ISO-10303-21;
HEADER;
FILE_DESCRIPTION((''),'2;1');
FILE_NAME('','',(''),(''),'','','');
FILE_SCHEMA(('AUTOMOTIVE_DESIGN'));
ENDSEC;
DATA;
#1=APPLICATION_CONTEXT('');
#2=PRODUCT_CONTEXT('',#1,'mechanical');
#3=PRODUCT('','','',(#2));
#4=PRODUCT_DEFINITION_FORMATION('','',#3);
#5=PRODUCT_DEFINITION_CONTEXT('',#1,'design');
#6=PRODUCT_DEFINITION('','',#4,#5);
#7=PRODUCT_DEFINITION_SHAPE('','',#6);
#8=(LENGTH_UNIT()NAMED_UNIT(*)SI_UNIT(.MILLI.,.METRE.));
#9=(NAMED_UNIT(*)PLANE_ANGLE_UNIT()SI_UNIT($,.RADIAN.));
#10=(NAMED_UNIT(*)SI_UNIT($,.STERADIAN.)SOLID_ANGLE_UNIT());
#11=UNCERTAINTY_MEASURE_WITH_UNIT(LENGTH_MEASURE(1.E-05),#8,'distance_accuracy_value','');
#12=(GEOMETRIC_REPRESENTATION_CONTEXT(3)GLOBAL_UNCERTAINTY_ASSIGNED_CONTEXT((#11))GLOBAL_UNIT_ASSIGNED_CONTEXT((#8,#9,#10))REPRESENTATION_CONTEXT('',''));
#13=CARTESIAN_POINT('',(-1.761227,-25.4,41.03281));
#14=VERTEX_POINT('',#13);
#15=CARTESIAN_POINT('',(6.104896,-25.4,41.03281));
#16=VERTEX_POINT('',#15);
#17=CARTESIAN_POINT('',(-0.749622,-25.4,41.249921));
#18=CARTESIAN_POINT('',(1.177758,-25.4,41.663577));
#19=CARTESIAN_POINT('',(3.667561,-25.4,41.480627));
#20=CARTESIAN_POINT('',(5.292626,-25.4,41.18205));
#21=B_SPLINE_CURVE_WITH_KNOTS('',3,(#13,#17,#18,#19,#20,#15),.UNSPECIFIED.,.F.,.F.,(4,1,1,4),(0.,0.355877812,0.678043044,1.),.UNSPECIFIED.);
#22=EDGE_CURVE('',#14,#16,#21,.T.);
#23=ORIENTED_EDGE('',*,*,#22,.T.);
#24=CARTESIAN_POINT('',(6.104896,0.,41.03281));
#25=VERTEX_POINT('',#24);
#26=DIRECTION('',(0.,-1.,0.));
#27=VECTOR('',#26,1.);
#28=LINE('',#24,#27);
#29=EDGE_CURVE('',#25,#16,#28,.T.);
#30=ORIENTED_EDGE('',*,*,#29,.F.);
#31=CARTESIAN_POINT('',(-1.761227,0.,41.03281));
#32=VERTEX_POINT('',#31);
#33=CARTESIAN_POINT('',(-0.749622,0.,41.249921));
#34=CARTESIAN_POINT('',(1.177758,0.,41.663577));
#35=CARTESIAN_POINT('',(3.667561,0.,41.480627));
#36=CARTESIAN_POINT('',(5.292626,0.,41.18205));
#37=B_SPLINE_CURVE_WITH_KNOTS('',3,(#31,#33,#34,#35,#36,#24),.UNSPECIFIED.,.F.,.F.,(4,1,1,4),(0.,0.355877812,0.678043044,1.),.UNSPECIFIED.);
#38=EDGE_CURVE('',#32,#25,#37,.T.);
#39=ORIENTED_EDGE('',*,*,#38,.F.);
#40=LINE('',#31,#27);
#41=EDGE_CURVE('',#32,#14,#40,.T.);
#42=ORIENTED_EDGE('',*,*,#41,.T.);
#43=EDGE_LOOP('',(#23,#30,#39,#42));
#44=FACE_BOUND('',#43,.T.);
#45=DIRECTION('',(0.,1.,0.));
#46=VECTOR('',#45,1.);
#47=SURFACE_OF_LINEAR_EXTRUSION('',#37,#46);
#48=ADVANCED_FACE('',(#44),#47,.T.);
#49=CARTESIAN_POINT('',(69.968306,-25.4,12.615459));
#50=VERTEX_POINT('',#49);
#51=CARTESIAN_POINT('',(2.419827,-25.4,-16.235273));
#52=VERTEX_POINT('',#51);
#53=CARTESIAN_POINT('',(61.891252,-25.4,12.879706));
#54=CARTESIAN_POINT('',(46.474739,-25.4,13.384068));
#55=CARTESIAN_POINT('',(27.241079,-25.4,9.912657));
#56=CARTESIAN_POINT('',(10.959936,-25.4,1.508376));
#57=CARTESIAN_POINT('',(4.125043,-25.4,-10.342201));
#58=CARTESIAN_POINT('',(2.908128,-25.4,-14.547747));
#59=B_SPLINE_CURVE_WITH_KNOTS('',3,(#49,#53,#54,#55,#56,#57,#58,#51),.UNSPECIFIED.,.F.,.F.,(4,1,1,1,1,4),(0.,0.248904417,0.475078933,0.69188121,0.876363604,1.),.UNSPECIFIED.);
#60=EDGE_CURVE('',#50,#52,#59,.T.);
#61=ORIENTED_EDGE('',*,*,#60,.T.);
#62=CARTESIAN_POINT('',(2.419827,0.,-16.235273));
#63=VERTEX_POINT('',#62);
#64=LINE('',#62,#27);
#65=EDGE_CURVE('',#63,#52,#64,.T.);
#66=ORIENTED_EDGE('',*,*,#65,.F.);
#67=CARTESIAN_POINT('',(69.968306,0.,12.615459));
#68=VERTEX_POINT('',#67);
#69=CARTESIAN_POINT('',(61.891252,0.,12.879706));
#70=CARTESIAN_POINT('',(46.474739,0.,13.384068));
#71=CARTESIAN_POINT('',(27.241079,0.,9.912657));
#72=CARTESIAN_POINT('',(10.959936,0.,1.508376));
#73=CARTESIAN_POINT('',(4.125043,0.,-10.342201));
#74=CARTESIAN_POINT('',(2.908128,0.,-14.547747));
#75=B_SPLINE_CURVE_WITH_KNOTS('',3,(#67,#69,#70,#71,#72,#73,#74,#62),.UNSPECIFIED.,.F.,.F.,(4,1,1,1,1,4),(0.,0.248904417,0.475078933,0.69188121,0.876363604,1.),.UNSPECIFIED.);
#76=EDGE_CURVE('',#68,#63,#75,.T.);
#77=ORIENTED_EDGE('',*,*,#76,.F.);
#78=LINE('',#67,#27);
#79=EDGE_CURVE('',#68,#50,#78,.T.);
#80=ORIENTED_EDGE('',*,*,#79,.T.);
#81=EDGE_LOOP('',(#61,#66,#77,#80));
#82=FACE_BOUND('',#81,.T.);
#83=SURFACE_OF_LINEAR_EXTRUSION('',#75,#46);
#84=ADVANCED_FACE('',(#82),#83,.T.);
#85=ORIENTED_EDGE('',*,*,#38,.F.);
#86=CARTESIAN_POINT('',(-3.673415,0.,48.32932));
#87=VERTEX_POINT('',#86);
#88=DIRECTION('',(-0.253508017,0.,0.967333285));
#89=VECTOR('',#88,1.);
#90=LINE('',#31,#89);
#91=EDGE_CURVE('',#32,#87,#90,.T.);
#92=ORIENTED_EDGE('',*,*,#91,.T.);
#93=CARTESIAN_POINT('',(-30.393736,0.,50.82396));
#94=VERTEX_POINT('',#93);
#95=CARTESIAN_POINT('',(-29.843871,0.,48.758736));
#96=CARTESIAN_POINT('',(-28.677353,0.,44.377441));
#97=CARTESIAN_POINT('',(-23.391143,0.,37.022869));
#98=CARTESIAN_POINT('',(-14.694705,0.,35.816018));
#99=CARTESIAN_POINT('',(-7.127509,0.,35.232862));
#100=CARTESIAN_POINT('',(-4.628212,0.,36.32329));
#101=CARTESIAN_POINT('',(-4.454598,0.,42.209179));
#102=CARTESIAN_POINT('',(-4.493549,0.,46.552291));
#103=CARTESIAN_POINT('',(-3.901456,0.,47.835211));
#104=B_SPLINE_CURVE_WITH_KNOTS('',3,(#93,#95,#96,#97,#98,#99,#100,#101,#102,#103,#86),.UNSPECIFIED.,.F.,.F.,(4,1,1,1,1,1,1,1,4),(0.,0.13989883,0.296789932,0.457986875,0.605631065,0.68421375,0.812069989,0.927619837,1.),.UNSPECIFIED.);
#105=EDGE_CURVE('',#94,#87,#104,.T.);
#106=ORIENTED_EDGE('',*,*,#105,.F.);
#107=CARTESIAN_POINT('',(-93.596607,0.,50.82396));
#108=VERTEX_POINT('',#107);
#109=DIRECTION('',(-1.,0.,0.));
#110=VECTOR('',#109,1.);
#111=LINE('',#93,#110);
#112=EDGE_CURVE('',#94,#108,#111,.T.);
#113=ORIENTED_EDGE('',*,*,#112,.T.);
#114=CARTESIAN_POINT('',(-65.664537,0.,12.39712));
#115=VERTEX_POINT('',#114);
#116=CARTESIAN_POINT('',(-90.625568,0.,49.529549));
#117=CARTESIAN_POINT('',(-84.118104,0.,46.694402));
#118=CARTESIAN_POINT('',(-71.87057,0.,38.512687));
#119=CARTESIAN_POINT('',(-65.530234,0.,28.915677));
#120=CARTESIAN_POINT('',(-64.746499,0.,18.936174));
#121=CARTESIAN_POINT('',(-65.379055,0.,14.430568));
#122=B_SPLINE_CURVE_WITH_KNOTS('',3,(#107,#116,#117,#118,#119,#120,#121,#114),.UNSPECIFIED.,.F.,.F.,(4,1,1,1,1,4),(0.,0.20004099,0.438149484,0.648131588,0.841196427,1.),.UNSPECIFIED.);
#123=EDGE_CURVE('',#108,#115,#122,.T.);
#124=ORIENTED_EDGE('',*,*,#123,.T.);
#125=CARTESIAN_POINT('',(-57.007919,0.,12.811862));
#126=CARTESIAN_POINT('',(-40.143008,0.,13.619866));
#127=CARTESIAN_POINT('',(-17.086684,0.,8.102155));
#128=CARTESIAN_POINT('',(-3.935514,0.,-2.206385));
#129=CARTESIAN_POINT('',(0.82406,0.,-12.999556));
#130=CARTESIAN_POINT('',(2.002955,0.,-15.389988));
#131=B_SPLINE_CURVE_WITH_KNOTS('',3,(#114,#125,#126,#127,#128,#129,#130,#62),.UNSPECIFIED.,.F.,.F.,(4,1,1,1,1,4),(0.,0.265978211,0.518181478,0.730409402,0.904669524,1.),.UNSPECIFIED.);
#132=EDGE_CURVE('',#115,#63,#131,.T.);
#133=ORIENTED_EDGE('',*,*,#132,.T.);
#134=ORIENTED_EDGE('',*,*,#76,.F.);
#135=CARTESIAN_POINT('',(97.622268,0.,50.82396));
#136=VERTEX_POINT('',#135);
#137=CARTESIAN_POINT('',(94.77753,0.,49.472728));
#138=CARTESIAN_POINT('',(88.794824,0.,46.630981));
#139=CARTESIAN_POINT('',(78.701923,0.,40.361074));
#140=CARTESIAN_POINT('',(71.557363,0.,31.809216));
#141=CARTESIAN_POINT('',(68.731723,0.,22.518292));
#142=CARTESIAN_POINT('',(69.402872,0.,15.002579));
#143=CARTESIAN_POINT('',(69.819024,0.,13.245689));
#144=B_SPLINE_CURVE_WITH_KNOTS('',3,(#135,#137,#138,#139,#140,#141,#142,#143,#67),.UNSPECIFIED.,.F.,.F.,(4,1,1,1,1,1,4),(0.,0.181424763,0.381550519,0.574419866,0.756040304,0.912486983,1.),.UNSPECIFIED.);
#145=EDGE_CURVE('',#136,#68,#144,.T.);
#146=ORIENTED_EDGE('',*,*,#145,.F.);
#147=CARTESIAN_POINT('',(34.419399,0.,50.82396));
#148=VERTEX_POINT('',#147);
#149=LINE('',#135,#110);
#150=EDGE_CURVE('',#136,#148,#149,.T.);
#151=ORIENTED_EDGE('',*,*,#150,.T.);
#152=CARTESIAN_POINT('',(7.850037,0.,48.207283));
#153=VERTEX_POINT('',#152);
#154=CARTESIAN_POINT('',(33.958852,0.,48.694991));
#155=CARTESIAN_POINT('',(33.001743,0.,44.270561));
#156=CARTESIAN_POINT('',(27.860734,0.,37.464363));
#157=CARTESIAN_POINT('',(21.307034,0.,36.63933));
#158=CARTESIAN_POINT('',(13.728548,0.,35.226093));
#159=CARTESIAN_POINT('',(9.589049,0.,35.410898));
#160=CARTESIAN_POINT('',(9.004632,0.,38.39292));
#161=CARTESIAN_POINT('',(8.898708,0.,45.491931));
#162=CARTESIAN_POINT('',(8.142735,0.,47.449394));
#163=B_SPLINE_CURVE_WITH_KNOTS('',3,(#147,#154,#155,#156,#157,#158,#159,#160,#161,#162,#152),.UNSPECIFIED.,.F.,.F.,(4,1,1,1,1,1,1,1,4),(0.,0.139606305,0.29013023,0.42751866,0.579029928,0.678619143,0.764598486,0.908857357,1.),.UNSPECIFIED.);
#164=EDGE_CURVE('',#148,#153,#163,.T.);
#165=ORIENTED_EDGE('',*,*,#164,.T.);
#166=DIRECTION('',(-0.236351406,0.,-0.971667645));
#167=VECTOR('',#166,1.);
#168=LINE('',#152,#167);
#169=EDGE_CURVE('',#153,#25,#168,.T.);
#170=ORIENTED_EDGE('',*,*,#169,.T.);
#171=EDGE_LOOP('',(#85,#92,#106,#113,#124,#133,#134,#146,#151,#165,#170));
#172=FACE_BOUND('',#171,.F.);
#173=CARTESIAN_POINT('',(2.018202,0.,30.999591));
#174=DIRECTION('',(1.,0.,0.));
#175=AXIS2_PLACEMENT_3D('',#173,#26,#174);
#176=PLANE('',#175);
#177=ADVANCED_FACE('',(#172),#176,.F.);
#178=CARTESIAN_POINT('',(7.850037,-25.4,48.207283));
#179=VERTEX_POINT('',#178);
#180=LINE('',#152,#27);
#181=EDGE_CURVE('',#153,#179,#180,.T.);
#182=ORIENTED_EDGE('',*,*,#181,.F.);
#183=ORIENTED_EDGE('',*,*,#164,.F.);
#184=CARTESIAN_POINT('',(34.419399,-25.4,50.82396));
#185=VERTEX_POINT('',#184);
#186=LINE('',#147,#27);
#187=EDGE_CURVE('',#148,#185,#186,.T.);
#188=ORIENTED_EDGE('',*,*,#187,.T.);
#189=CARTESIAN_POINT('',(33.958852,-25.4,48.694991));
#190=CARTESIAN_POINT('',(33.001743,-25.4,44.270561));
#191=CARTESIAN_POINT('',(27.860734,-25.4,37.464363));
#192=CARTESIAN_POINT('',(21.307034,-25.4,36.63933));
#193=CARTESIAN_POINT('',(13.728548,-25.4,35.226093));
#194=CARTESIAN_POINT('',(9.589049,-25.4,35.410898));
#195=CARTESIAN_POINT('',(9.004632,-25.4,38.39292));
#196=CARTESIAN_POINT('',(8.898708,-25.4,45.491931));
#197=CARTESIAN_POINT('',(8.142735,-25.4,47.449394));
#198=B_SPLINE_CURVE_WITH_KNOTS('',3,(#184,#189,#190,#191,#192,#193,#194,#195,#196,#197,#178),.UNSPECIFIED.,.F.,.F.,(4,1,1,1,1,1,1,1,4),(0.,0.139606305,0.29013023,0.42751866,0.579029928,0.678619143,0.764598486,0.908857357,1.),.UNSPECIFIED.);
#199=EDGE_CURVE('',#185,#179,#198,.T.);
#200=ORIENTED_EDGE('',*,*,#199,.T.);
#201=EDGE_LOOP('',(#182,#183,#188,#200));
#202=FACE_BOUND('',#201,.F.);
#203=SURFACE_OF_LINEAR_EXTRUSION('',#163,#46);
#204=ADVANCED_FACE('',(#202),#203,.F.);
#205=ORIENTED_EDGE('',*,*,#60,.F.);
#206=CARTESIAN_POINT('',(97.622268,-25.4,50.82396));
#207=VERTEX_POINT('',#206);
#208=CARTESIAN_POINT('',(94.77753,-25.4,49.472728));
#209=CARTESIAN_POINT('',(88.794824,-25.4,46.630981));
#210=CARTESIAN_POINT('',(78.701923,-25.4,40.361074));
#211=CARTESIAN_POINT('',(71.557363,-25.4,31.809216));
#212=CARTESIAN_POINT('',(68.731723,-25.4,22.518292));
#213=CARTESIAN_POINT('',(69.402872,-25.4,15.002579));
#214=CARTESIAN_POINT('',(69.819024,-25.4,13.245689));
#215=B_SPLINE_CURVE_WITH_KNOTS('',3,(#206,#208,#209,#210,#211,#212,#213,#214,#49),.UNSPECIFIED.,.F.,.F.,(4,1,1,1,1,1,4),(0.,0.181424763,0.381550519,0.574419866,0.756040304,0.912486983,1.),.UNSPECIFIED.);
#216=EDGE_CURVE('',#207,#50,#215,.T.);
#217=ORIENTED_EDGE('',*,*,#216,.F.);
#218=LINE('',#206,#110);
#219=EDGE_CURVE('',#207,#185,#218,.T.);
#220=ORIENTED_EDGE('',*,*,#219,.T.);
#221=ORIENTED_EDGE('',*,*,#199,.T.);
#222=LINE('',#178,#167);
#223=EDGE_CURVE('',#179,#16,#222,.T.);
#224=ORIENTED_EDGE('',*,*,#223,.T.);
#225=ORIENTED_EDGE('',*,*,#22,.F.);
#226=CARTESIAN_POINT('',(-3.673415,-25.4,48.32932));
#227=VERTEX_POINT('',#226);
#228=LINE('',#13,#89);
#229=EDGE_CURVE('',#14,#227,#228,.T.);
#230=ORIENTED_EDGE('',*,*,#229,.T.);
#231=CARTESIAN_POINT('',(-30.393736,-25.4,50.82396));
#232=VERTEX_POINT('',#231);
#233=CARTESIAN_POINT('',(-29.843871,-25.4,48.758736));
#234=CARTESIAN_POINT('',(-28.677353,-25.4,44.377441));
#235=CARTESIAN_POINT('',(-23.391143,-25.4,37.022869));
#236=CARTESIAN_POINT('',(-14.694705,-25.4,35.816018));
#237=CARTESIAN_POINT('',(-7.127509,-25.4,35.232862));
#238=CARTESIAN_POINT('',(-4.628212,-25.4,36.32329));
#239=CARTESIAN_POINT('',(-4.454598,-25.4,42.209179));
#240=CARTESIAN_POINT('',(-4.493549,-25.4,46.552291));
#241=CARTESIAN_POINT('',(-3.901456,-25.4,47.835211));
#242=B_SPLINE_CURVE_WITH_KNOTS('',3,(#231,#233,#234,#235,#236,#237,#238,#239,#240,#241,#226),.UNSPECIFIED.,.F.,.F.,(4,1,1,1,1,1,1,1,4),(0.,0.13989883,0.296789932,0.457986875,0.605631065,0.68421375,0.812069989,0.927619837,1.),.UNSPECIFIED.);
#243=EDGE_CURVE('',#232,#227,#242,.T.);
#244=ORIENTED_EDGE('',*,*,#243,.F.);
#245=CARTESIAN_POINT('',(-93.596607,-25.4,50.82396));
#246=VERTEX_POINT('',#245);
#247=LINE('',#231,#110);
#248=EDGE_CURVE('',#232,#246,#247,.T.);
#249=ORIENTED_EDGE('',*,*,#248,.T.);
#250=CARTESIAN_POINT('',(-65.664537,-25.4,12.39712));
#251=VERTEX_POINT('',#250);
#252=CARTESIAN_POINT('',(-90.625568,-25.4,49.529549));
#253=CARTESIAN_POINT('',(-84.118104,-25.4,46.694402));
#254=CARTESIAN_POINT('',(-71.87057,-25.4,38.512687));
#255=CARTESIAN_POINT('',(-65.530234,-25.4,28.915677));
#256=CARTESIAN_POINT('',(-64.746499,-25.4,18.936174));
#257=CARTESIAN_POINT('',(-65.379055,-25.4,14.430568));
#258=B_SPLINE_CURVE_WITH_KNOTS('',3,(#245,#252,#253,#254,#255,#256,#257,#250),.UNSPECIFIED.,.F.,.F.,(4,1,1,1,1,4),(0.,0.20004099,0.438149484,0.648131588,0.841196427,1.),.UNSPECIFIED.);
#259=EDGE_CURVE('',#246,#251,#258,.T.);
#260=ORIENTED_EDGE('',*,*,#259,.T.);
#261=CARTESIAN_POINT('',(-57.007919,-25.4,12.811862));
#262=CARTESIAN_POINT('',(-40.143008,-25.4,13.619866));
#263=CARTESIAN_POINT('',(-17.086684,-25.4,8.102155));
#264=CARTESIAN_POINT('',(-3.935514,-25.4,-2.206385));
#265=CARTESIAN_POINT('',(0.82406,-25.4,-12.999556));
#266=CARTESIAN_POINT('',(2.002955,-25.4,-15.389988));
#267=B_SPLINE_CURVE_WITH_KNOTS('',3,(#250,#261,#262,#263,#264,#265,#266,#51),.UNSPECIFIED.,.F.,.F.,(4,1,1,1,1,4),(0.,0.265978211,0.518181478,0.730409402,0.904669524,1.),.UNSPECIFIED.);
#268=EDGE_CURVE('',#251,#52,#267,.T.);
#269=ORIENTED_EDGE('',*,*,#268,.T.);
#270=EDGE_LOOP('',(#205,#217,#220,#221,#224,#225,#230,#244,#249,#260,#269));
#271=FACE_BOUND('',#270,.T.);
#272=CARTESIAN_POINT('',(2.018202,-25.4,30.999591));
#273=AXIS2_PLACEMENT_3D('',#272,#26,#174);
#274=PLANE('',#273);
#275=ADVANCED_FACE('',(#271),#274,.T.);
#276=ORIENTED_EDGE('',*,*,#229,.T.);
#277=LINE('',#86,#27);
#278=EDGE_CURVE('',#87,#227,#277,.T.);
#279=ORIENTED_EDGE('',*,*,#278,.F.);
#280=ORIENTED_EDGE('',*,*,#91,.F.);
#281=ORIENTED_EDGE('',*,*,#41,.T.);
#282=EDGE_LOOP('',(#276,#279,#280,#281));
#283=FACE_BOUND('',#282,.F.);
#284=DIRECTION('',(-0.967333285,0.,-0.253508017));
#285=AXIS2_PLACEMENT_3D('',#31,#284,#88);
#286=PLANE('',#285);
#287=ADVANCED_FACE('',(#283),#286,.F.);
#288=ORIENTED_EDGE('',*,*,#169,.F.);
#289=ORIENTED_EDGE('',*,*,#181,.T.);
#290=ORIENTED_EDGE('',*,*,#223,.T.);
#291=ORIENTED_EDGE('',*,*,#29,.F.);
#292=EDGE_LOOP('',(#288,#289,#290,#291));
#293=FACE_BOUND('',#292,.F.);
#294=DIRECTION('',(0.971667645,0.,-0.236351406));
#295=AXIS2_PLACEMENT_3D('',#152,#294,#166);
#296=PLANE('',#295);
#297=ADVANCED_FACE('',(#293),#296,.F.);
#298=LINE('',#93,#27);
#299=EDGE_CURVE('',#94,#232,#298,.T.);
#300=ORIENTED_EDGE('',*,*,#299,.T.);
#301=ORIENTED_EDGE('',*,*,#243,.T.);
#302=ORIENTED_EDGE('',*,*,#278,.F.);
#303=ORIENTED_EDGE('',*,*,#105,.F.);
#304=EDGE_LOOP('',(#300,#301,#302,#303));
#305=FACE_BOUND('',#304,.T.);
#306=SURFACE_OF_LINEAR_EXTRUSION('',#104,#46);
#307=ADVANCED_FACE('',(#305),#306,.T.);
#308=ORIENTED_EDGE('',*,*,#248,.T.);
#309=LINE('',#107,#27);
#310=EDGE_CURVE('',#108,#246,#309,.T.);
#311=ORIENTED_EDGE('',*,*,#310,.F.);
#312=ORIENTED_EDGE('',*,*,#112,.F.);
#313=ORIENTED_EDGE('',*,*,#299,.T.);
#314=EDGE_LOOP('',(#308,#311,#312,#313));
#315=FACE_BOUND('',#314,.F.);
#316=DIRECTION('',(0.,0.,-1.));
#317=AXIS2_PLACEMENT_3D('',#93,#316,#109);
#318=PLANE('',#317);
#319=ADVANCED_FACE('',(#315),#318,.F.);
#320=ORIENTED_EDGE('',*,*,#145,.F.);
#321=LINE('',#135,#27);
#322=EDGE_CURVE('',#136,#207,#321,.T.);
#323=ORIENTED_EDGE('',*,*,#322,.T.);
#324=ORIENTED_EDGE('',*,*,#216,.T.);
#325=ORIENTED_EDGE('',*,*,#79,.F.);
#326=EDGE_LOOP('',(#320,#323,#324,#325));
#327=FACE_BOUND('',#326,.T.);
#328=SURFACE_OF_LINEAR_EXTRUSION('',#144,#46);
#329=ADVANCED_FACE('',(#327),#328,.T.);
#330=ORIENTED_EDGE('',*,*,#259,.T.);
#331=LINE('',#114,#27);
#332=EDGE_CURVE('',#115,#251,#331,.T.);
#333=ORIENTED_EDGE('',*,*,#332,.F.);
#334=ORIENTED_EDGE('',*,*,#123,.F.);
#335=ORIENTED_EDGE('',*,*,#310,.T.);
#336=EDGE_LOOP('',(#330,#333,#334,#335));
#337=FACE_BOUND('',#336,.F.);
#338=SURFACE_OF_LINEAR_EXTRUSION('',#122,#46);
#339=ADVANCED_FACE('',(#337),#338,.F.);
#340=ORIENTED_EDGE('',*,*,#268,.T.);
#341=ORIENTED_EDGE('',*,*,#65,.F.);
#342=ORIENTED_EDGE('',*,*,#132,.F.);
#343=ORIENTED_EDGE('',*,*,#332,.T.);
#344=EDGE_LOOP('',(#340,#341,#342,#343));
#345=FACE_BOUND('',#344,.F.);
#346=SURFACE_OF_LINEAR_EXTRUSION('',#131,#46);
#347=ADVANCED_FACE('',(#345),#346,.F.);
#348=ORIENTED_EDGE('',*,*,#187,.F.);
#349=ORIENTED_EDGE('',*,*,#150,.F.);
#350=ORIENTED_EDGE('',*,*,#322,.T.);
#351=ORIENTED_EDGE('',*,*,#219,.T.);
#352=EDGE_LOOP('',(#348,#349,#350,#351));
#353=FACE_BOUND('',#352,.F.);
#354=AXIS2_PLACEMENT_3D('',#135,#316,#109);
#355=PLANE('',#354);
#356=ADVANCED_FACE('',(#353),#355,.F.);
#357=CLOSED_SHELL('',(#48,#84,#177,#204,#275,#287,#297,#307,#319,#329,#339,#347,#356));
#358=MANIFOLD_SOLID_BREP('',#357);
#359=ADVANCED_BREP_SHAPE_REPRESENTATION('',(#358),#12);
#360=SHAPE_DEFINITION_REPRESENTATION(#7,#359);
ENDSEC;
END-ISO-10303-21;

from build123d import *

# Parameters (mm, degrees)
F1_DEPTH = 25.4


with BuildPart() as f1:
    # F0 (on Front) → F1 (new body)
    with BuildSketch(Plane.XZ):
        with BuildLine():
            Line((-30.393736437, 50.8239604533), (-93.5966074467, 50.8239604533))
            add(Edge.make_bspline(
                [(-93.5966074467, 50.8239604533), (-90.6255679027, 49.5295491481), (-84.1181044065, 46.6944019907), (-71.8705699757, 38.5126874048), (-65.530233989, 28.9156767383), (-64.7464993937, 18.9361736784), (-65.3790551881, 14.4305681599), (-65.664537251, 12.3971197754)],
                knots=[0, 0, 0, 0, 0.2000409904, 0.438149484, 0.6481315877, 0.8411964271, 1, 1, 1, 1], degree=3))
            add(Edge.make_bspline(
                [(-65.664537251, 12.3971197754), (-57.0079194122, 12.8118617297), (-40.143007776, 13.6198662577), (-17.0866835676, 8.1021553084), (-3.9355139074, -2.2063849939), (0.8240596539, -12.9995557096), (2.002955181, -15.3899878116), (2.4198268075, -16.2352733314)],
                knots=[0, 0, 0, 0, 0.2659782113, 0.5181814785, 0.7304094016, 0.9046695244, 1, 1, 1, 1], degree=3))
            add(Edge.make_bspline(
                [(69.9683055282, 12.6154590398), (61.8912518837, 12.879705843), (46.4747394932, 13.384068485), (27.2410785624, 9.9126567802), (10.9599356053, 1.5083756137), (4.1250428524, -10.3422009546), (2.9081284498, -14.5477470333), (2.4198268075, -16.2352733314)],
                knots=[0, 0, 0, 0, 0.248904417, 0.4750789332, 0.6918812096, 0.8763636037, 1, 1, 1, 1], degree=3))
            add(Edge.make_bspline(
                [(97.6222679019, 50.8239604533), (94.7775304868, 49.4727283494), (88.7948244026, 46.6309811687), (78.7019230059, 40.3610738145), (71.5573630922, 31.809215533), (68.7317233342, 22.5182920348), (69.4028724055, 15.0025790404), (69.8190239843, 13.2456891144), (69.9683055282, 12.6154590398)],
                knots=[0, 0, 0, 0, 0.1814247634, 0.3815505186, 0.5744198663, 0.7560403043, 0.9124869834, 1, 1, 1, 1], degree=3))
            Line((97.6222679019, 50.8239604533), (34.4193987548, 50.8239604533))
            add(Edge.make_bspline(
                [(34.4193987548, 50.8239604533), (33.9588522311, 48.6949912796), (33.0017431024, 44.2705613342), (27.8607342119, 37.4643628052), (21.3070335627, 36.6393300379), (13.7285483039, 35.226092697), (9.5890493082, 35.4108983013), (9.0046323956, 38.3929198038), (8.8987084711, 45.4919312911), (8.1427345637, 47.4493936877), (7.8500369564, 48.20728302)],
                knots=[0, 0, 0, 0, 0.1396063048, 0.2901302298, 0.4275186602, 0.5790299277, 0.6786191433, 0.7645984858, 0.908857357, 1, 1, 1, 1], degree=3))
            Line((7.8500369564, 48.20728302), (6.1048961709, 41.0328097641))
            add(Edge.make_bspline(
                [(-1.761226682, 41.0328097641), (-0.7496217672, 41.2499211322), (1.1777579478, 41.6635767409), (3.6675612674, 41.4806268413), (5.2926263576, 41.1820499417), (6.1048961709, 41.0328097641)],
                knots=[0, 0, 0, 0, 0.355877812, 0.6780430442, 1, 1, 1, 1], degree=3))
            Line((-1.761226682, 41.0328097641), (-3.6734153982, 48.3293198049))
            add(Edge.make_bspline(
                [(-30.393736437, 50.8239604533), (-29.8438711319, 48.7587355219), (-28.6773532518, 44.3774410733), (-23.3911425798, 37.0228689232), (-14.6947052151, 35.816018223), (-7.1275089099, 35.232861864), (-4.6282122361, 36.3232904877), (-4.4545981205, 42.2091793043), (-4.493549028, 46.5522905096), (-3.9014564503, 47.8352105338), (-3.6734153982, 48.3293198049)],
                knots=[0, 0, 0, 0, 0.1398988301, 0.2967899323, 0.457986875, 0.6056310648, 0.6842137503, 0.8120699891, 0.9276198368, 1, 1, 1, 1], degree=3))
        make_face()
    extrude(amount=F1_DEPTH)


solid = f1.part
